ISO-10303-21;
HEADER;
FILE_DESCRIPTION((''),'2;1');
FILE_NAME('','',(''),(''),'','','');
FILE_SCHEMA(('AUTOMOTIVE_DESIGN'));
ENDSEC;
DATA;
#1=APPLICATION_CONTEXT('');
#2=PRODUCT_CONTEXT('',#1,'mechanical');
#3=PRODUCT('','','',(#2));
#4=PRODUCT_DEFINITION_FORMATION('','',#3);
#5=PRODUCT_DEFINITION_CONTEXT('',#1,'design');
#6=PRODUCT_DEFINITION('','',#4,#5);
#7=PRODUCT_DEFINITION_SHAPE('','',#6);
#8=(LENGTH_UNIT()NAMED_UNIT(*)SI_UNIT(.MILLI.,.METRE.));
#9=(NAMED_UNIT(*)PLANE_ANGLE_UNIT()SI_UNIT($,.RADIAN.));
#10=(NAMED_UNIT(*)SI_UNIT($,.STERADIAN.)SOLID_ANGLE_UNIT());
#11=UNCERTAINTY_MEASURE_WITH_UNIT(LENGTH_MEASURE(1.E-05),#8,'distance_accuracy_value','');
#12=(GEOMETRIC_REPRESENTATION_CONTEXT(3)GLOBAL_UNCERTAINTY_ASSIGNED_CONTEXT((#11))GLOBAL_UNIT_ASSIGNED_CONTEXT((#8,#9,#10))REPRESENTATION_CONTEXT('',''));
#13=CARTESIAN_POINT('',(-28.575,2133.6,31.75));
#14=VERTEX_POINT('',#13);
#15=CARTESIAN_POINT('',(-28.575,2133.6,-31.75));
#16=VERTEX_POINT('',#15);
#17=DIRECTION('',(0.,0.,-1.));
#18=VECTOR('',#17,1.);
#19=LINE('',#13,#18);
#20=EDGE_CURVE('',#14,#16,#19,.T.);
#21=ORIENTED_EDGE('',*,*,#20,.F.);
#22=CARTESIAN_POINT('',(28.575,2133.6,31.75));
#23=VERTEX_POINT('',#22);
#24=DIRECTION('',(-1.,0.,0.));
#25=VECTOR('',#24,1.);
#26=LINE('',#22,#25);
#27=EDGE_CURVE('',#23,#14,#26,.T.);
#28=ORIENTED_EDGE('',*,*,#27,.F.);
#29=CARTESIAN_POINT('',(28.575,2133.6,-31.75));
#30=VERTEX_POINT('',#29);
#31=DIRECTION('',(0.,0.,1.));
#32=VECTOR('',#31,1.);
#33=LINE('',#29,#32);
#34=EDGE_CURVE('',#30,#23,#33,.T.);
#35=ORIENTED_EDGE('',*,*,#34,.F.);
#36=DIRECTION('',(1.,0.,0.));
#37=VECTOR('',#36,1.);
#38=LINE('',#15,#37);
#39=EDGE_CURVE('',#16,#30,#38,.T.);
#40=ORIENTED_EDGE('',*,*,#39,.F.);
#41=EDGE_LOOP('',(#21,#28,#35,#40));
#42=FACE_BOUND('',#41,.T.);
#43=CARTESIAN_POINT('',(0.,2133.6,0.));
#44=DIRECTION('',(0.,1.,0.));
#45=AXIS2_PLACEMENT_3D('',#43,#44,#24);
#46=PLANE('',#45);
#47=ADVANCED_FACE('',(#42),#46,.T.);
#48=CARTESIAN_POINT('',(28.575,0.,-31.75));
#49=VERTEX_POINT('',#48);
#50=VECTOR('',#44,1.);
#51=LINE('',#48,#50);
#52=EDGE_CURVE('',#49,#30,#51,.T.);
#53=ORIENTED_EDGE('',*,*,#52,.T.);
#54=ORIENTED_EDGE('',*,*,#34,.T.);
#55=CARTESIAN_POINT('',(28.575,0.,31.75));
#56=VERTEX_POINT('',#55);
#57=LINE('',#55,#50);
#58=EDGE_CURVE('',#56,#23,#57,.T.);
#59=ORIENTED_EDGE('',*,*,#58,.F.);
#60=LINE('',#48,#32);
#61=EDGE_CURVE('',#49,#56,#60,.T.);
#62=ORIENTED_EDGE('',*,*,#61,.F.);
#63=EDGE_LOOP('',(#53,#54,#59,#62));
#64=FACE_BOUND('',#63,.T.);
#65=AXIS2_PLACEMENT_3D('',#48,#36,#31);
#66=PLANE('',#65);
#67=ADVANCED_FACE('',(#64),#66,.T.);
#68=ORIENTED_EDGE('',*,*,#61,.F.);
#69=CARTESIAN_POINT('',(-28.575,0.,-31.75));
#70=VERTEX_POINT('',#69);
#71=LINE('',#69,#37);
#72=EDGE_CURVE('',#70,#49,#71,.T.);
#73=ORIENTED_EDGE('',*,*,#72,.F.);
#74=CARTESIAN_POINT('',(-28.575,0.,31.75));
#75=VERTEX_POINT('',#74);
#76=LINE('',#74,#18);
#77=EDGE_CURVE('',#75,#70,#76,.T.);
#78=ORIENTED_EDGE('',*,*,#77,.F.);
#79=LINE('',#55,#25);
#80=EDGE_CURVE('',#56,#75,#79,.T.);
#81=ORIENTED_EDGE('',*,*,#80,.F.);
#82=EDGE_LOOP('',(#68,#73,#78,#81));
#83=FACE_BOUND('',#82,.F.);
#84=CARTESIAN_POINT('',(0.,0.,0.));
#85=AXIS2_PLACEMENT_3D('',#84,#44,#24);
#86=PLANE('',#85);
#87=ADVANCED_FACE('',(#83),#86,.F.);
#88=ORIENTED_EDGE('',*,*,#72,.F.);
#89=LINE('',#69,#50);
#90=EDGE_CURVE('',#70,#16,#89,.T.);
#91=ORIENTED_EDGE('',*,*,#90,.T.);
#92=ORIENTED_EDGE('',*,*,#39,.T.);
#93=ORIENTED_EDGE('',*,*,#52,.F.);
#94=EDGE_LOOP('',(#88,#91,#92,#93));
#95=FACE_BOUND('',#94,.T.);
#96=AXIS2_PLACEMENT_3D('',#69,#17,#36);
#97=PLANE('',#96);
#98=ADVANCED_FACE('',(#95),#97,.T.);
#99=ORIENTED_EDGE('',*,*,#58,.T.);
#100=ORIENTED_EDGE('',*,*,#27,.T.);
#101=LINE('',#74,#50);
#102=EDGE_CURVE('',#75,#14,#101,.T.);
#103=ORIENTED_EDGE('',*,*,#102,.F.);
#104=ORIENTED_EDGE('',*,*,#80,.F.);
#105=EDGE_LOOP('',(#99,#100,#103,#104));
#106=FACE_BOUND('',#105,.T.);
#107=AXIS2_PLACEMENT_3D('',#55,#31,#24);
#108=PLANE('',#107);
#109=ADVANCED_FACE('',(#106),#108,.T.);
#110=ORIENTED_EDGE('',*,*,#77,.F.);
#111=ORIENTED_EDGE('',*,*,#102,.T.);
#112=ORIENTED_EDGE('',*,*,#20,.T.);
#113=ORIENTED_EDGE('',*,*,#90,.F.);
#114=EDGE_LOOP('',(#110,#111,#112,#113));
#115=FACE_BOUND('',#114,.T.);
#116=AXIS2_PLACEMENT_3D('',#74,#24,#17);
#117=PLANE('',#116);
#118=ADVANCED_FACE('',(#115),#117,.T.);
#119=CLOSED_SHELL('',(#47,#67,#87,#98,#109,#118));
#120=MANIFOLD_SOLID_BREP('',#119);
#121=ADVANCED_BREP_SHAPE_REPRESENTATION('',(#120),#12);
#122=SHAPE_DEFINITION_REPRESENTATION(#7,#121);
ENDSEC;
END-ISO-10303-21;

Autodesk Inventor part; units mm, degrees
ref_plane "YZ Plane" through (0, 0, 0) normal (1, 0, 0) x (0, 1, 0)
ref_plane "XZ Plane" through (0, 0, 0) normal (0, 1, 0) x (-1, 0, 0)
ref_plane "XY Plane" through (0, 0, 0) normal (0, 0, 1) x (1, 0, 0)
sketch "Sketch1" plane through (0, 0, 0) normal (0, 1, 0) x (-1, 0, 0)
  line L0 (-28.575, 31.75) -> (28.575, 31.75)
  line L1 (28.575, 31.75) -> (28.575, -31.75)
  line L2 (28.575, -31.75) -> (-28.575, -31.75)
  line L3 (-28.575, -31.75) -> (-28.575, 31.75)
  line L4 (-28.575, 31.75) -> (28.575, -31.75) construction
  line L5 (28.575, 31.75) -> (-28.575, -31.75) construction
  point P0 (0, 0)
  dimension "d0" = 63.5
  dimension "d1" = 57.15
extrude "Extrusion1" add sketch "Sketch1" along normal blind 2133.6
properties part number "BedPost"
